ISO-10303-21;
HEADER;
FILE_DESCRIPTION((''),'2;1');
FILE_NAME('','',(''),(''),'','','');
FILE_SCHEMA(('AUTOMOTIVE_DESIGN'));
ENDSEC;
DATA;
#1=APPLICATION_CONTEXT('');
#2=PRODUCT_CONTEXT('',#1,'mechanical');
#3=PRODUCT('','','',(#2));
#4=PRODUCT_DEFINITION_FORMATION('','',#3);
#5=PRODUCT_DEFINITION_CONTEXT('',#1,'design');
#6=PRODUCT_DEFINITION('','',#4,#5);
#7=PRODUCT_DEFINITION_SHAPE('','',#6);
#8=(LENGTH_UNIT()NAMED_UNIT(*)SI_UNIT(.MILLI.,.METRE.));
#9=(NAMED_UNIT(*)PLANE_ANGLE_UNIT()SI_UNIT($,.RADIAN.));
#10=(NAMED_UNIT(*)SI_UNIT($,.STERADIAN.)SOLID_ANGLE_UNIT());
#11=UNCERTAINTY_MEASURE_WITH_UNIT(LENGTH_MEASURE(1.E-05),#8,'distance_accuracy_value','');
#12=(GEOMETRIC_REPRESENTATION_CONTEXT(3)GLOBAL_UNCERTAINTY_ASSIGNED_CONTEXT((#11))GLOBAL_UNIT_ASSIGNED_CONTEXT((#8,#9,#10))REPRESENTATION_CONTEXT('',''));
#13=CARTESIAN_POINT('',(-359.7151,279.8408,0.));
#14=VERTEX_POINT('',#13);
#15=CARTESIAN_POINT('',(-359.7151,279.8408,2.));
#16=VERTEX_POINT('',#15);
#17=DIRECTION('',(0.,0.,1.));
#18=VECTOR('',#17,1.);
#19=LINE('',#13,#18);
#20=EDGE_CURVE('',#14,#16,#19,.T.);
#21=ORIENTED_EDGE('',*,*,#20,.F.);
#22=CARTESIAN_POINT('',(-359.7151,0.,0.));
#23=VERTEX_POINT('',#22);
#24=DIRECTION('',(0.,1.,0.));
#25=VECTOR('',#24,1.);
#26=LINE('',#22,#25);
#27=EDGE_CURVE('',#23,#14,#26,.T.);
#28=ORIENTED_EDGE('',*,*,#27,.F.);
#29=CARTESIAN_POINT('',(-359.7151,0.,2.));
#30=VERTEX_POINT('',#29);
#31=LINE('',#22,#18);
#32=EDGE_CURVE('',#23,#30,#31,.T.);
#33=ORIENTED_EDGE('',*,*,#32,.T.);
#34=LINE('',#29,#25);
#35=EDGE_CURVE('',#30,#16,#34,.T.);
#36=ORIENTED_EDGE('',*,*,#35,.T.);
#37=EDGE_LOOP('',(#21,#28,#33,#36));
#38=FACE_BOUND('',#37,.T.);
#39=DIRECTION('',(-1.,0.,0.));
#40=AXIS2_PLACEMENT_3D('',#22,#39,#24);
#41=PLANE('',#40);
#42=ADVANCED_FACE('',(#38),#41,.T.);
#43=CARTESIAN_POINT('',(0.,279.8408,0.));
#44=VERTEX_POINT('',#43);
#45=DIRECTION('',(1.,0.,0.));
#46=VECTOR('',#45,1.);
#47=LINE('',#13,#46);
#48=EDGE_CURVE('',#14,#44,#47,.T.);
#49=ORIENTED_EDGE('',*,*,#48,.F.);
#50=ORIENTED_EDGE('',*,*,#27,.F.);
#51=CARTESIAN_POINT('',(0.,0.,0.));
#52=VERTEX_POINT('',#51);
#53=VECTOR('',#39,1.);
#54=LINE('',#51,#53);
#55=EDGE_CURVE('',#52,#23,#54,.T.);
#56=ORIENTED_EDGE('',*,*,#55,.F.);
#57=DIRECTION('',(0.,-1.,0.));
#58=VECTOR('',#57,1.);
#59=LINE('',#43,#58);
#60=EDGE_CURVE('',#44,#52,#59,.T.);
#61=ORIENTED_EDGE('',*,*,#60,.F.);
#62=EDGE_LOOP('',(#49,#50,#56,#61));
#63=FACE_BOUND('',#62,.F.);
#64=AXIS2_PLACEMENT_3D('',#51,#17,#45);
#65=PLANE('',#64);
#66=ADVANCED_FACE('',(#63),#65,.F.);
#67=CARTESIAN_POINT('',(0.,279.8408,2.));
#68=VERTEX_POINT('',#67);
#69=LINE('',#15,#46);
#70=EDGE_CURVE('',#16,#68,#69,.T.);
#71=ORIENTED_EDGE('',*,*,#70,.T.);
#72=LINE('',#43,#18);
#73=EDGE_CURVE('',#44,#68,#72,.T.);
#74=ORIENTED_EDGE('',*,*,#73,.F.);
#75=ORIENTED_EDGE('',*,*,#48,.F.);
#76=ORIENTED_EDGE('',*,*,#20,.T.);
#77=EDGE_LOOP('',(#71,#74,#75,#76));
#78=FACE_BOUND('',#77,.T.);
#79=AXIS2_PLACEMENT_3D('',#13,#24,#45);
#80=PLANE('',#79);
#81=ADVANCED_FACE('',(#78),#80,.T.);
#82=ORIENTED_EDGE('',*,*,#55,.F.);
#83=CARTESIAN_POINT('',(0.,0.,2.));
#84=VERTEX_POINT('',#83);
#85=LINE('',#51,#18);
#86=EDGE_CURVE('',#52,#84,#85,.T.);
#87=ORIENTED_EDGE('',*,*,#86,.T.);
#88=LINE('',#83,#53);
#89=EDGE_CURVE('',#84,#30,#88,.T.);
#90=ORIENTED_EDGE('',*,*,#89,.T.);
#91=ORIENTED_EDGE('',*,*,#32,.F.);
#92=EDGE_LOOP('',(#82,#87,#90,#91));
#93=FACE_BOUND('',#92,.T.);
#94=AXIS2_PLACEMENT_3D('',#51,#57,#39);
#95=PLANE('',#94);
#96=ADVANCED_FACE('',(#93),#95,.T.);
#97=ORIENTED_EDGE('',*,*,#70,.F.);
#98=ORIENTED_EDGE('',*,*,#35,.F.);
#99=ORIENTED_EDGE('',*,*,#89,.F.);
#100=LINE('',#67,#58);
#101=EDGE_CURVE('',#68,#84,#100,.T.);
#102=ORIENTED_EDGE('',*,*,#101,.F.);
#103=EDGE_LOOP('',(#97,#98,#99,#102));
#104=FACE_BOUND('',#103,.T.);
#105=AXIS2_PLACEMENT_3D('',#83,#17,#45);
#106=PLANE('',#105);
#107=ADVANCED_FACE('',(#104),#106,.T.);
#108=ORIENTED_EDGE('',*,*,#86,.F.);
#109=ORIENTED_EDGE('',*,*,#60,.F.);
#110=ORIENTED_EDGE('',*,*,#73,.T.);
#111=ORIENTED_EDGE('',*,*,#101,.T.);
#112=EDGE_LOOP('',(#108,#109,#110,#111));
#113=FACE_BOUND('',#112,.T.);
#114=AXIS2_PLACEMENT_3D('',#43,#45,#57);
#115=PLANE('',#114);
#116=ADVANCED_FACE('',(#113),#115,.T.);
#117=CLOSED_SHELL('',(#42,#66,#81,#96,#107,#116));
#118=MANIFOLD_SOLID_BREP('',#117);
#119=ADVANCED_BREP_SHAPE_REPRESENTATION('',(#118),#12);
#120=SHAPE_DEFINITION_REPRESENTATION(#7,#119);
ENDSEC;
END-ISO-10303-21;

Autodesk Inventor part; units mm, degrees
ref_plane "YZ Plane" through (0, 0, 0) normal (1, 0, 0) x (0, 1, 0)
ref_plane "XZ Plane" through (0, 0, 0) normal (0, 1, 0) x (-1, 0, 0)
ref_plane "XY Plane" through (0, 0, 0) normal (0, 0, 1) x (1, 0, 0)
sketch "Esboço1" plane through (0, 0, 0) normal (0, 0, 1) x (1, 0, 0)
  line L0 (0, 0) -> (-359.7151, 0)
  line L1 (-359.7151, 0) -> (-359.7151, 279.8408)
  line L2 (-359.7151, 279.8408) -> (0, 279.8408)
  line L3 (0, 279.8408) -> (0, 0)
extrude "Extrusão1" add sketch "Esboço1" along normal blind 2
